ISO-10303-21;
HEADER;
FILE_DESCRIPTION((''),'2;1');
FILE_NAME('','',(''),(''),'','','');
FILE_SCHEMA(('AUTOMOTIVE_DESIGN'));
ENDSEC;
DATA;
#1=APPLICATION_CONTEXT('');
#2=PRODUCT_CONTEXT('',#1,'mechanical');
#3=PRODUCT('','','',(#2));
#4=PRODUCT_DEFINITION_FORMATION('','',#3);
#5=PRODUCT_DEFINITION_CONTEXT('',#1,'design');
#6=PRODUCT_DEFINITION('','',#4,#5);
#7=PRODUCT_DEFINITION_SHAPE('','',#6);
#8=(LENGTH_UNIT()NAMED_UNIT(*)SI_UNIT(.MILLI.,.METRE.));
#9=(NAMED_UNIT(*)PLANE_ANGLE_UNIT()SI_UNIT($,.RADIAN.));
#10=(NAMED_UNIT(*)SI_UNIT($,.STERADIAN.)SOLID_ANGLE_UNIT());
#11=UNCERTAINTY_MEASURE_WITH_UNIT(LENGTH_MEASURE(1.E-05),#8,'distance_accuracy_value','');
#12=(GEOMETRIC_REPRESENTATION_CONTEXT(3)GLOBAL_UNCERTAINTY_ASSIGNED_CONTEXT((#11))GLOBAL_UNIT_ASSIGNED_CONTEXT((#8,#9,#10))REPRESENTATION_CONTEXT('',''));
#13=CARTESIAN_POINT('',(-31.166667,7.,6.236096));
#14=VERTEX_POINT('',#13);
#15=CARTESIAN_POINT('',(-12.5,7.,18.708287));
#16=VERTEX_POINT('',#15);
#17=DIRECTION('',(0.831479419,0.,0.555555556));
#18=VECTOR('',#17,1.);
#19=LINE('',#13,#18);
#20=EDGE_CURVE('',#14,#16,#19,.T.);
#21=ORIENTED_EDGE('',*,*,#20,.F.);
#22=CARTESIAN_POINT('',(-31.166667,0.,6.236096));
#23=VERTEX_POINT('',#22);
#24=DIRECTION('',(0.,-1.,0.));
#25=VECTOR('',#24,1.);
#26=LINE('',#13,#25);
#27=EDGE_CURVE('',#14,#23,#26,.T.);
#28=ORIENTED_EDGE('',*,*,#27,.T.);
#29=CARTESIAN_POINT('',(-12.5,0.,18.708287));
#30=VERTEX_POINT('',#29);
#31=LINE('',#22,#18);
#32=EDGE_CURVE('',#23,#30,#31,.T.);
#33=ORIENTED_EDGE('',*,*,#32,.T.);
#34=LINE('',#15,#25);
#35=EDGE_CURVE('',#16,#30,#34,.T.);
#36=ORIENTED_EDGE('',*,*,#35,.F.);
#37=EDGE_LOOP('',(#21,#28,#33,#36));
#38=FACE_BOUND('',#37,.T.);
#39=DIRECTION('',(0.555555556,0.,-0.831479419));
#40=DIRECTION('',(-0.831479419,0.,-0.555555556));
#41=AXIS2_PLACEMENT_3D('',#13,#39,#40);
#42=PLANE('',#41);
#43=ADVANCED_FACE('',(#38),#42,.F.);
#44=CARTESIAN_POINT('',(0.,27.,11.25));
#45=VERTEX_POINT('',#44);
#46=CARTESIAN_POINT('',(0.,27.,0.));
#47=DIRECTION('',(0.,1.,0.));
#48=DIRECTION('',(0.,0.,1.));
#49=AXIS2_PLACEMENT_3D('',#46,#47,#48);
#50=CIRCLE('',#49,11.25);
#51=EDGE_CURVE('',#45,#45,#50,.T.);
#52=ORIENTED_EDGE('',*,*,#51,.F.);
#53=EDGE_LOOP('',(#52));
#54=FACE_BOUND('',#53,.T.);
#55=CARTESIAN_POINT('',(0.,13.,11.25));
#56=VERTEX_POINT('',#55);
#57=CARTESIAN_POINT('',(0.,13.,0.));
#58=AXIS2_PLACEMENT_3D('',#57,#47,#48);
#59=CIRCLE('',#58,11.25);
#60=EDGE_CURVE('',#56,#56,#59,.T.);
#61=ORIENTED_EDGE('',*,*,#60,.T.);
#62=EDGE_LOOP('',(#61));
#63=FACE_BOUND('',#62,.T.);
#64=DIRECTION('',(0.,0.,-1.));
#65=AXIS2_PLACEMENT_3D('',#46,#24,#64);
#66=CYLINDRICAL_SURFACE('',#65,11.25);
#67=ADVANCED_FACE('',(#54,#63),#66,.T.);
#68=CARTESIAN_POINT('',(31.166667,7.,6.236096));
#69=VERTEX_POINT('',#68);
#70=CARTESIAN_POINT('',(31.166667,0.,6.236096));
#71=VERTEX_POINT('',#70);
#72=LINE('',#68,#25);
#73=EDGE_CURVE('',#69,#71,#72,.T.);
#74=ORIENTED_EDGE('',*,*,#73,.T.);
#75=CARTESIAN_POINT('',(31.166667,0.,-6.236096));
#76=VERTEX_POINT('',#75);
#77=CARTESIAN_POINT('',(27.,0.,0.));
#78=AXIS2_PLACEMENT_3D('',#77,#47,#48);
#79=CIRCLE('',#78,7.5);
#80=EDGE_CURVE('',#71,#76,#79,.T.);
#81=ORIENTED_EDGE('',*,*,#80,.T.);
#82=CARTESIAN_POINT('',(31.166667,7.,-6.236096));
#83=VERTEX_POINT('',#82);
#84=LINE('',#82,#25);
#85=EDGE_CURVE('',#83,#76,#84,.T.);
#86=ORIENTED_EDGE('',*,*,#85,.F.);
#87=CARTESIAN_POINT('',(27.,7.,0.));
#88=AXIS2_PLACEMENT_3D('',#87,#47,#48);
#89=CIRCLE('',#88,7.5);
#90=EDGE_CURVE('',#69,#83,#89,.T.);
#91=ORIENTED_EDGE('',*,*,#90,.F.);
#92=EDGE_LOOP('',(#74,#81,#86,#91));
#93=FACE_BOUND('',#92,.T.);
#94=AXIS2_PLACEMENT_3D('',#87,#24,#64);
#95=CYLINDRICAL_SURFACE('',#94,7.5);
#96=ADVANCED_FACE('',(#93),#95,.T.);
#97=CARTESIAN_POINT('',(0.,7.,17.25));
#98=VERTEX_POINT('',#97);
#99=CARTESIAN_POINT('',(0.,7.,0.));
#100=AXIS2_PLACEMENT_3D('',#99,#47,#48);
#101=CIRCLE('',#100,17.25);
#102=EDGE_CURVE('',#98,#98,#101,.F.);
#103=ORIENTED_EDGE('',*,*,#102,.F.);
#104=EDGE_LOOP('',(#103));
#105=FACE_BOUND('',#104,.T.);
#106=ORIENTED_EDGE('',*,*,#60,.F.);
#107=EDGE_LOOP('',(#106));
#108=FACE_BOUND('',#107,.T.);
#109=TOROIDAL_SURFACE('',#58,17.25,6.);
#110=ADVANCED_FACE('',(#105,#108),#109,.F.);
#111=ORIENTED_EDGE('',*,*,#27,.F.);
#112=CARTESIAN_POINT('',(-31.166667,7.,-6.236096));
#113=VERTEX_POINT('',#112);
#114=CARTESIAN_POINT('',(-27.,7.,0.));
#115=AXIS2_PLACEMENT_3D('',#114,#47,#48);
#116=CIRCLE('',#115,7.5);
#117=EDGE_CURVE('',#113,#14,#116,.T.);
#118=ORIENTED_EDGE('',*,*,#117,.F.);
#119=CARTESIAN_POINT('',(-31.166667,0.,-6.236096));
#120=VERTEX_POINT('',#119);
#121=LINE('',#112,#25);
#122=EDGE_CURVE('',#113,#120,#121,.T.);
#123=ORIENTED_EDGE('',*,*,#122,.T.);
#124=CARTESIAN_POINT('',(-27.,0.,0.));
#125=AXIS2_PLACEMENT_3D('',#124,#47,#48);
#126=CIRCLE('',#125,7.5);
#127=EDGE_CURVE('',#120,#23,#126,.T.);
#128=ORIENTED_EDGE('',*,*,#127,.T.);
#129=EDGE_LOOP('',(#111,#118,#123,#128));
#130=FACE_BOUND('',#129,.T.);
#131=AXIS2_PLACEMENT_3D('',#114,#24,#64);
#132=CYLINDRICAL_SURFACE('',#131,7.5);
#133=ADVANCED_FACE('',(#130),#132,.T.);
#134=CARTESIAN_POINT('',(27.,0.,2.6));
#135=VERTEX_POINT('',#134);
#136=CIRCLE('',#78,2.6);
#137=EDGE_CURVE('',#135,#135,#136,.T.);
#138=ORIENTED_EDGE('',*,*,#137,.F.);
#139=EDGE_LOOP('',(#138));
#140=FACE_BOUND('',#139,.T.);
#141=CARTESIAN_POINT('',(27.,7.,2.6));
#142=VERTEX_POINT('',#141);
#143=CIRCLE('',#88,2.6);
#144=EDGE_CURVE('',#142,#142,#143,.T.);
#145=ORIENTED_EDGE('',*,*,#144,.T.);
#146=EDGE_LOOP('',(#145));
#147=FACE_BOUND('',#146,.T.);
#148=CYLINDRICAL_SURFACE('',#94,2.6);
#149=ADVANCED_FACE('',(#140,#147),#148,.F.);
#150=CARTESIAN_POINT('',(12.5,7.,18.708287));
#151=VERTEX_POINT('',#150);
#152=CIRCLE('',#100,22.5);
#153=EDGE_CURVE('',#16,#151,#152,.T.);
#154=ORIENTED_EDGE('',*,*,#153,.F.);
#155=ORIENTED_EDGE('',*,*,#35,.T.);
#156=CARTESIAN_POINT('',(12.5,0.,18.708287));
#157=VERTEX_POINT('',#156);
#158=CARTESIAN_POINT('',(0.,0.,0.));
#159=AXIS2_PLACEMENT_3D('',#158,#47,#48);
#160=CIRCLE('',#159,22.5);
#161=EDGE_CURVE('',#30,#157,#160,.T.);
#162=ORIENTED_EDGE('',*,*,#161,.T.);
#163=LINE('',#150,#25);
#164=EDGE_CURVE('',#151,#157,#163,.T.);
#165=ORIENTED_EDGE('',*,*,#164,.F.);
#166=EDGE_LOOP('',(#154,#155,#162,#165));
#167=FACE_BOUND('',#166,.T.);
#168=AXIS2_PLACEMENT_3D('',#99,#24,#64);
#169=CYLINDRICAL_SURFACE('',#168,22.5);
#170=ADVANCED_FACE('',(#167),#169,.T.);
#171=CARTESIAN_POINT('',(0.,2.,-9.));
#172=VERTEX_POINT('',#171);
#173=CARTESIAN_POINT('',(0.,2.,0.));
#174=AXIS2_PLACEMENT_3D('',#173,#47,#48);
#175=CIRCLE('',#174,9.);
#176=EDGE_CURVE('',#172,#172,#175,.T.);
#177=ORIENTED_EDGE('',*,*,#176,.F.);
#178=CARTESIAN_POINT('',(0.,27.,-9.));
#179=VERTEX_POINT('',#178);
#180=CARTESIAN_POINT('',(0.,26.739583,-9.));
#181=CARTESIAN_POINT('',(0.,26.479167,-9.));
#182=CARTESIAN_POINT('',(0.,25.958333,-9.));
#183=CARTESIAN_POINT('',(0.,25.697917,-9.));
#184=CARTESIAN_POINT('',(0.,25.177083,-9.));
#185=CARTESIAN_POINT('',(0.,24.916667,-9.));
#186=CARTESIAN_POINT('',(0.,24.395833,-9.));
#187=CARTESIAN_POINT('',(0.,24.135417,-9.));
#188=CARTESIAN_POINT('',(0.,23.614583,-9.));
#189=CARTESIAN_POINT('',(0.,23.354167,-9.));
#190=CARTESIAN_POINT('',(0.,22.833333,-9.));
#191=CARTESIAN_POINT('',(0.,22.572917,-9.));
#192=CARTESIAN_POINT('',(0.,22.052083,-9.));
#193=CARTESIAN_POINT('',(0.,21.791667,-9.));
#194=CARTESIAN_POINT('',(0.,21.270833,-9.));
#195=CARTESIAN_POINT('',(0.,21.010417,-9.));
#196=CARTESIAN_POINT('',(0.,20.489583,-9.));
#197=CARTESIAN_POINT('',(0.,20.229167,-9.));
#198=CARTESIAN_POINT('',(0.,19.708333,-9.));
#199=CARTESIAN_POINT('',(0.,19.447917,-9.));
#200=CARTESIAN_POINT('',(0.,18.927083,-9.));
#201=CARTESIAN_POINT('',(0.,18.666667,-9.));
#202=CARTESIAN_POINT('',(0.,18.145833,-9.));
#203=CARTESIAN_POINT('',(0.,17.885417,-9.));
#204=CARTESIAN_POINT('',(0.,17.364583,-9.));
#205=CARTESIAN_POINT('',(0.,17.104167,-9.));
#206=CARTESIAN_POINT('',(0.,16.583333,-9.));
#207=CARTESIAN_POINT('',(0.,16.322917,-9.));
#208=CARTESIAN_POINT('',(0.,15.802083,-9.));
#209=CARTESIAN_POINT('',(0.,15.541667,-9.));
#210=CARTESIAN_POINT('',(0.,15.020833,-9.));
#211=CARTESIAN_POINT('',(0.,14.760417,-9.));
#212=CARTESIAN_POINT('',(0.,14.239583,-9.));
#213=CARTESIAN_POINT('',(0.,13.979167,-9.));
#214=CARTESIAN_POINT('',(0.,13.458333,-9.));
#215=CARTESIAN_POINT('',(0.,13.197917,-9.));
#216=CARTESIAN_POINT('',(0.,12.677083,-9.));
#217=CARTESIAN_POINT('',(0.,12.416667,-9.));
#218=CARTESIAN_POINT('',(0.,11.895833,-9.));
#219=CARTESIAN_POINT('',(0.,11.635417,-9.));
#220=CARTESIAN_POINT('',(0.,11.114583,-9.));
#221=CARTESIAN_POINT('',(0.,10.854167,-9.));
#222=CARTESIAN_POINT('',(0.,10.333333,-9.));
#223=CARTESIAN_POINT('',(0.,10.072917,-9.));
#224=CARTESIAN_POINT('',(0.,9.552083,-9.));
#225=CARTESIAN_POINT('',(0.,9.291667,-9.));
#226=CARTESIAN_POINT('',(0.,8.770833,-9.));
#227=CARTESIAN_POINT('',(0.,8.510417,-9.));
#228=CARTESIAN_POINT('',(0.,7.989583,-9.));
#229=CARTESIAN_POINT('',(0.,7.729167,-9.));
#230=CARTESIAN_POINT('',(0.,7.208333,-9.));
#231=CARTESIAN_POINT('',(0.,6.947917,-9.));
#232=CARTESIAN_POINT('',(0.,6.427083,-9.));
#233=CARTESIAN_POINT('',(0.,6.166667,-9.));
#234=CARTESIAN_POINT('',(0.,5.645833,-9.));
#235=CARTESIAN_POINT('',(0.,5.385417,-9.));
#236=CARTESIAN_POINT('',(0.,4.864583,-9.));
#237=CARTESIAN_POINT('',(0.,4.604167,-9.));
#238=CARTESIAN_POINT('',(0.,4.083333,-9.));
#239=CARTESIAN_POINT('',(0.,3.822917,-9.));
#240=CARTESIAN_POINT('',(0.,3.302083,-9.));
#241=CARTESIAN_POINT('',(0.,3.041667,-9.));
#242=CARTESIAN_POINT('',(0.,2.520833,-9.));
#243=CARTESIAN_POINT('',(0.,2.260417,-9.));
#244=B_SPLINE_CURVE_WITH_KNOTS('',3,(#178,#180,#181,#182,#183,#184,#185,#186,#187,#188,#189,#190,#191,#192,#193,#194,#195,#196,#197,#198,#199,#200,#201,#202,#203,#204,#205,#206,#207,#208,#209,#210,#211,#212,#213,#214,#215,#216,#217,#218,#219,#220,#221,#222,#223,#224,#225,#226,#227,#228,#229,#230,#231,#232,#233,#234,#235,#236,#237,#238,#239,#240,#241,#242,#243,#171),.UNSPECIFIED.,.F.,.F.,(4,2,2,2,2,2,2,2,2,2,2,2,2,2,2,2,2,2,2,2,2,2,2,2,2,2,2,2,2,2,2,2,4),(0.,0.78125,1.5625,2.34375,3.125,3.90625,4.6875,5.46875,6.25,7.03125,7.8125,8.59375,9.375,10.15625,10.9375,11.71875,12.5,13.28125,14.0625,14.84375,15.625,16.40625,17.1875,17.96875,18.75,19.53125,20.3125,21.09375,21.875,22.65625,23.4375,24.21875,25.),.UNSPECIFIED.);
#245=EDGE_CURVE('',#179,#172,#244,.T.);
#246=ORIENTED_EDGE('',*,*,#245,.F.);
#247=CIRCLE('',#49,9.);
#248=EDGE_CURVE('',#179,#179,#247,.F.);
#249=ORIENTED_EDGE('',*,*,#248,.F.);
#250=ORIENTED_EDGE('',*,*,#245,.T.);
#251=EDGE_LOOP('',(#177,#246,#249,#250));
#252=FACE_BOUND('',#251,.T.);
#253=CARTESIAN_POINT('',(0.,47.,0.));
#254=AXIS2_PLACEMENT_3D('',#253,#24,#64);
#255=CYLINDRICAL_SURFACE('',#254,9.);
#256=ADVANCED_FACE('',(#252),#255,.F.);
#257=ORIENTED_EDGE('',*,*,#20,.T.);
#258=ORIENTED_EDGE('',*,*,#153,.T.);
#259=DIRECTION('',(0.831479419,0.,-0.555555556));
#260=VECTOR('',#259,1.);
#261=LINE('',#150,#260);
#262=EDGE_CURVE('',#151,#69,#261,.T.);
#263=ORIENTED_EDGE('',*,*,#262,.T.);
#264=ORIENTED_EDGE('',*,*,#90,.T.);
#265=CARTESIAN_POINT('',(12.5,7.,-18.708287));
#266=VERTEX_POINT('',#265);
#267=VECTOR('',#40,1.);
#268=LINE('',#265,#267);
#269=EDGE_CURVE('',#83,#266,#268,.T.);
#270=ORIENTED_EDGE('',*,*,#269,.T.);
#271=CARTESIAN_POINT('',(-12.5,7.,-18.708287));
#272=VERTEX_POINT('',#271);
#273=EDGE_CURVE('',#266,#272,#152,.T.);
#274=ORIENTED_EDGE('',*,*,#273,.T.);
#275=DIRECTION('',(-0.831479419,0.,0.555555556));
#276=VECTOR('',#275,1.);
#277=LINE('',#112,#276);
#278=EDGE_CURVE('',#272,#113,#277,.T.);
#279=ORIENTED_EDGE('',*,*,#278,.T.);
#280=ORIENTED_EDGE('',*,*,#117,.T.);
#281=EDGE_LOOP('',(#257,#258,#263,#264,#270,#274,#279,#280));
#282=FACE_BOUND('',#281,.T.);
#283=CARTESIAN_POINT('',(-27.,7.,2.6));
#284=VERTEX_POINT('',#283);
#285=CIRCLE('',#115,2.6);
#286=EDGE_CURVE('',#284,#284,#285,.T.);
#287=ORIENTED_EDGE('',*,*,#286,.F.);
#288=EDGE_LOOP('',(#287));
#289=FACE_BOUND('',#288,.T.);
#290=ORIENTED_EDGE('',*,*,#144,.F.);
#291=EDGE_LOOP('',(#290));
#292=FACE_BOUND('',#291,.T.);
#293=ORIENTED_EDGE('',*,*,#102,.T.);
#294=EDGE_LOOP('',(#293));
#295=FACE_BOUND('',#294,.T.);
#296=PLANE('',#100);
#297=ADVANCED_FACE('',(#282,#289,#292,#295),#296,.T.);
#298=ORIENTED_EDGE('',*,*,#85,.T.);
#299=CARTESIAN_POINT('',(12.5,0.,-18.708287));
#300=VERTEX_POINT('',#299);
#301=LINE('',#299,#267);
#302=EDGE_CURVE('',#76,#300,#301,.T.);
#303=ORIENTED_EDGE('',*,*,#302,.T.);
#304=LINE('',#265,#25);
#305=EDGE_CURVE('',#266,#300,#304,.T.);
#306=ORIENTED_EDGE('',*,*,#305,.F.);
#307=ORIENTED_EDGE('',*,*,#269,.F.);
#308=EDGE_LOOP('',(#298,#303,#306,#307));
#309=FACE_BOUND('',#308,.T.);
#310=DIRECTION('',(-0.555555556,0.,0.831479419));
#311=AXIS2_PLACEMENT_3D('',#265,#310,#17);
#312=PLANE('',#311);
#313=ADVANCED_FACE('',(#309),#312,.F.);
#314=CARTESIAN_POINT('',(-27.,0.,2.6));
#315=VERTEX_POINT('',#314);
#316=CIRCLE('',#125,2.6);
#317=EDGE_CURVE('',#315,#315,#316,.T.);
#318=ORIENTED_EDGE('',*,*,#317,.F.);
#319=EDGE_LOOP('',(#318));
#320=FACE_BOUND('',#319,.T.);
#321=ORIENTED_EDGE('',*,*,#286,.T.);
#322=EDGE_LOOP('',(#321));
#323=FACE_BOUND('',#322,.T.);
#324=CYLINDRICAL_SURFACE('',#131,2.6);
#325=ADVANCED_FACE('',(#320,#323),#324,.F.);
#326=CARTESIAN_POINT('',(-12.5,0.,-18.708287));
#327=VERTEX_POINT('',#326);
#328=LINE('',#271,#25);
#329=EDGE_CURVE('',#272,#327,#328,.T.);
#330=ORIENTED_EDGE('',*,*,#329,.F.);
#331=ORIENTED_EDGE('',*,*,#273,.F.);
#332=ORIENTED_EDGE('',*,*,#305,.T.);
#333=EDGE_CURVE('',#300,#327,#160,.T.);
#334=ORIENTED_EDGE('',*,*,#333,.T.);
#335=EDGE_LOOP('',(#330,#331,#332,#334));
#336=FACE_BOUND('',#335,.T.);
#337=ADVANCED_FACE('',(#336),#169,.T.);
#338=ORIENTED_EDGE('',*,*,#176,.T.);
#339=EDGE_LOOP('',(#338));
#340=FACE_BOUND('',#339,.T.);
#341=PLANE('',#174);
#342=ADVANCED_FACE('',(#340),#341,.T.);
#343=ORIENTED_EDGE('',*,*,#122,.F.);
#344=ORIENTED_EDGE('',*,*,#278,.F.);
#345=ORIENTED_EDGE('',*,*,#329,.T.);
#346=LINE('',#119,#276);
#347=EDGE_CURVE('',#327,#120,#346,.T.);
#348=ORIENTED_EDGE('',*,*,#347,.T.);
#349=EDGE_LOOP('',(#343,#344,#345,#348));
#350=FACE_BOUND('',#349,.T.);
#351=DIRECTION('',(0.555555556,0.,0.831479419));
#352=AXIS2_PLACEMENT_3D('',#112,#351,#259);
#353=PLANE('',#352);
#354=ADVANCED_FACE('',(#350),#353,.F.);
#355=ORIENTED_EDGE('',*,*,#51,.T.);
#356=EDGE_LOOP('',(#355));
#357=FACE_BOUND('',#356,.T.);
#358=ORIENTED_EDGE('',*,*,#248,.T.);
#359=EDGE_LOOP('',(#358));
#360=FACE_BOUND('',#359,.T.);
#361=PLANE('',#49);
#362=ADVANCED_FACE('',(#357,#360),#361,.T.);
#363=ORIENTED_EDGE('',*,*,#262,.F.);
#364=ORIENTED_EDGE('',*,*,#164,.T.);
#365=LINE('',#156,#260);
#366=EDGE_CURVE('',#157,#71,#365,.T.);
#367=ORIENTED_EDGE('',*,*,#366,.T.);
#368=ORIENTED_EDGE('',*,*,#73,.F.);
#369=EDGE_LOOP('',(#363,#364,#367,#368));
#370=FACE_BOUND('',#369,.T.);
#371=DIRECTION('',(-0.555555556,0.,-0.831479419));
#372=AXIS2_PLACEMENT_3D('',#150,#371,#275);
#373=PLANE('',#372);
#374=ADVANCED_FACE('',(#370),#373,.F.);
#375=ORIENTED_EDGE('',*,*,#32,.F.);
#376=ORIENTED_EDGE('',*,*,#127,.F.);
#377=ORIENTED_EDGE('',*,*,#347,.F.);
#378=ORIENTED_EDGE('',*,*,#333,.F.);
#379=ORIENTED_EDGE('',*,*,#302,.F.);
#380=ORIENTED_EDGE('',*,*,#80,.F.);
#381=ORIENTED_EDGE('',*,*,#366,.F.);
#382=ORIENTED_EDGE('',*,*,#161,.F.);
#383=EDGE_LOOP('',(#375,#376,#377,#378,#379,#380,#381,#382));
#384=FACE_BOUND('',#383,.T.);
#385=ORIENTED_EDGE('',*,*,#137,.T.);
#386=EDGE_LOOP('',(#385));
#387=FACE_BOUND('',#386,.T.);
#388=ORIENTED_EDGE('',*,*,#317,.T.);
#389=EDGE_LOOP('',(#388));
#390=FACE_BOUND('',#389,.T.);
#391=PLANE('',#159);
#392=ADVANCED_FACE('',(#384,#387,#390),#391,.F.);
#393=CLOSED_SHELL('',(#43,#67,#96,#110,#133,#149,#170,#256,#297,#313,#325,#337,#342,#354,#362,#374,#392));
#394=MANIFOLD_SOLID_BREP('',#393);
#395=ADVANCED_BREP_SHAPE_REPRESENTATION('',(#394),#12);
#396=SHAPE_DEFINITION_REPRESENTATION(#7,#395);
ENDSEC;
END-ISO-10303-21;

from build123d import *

# Parameters (mm, degrees)
IZIM1_R                     = 2.6
Y_KSEKLIK_EKSTR_ZYON1_DEPTH = 7
IZIM3_R                     = 11.25
IZIM3_R_2                   = 8
Y_KSEKLIK_EKSTR_ZYON2_DEPTH = 20
KES_EKSTR_ZYON1_DEPTH       = 40
KES_EKSTR_ZYON1_DEPTH_BACK  = 5
IZIM4_R                     = 9
RADYUS2_R                   = 6


with BuildPart() as part:
    # Çizim1 → Yükseklik-Ekstrüzyon1 (new body)
    with BuildSketch(Plane(origin=(0, 0, 0), x_dir=(1, 0, 0), z_dir=(0, 1, 0))):
        with BuildLine():
            Line((-31.166666667, 6.236095645), (-12.5, 18.708286934))
            ThreePointArc((-12.5, 18.708286934), (0, 22.5), (12.5, 18.708286934))
            Line((12.5, 18.708286934), (31.166666667, 6.236095645))
            ThreePointArc((31.166666667, 6.236095645), (34.5, 0), (31.166666667, -6.236095645))
            Line((31.166666667, -6.236095645), (12.5, -18.708286934))
            ThreePointArc((12.5, -18.708286934), (0, -22.5), (-12.5, -18.708286934))
            Line((-12.5, -18.708286934), (-31.166666667, -6.236095645))
            ThreePointArc((-31.166666667, -6.236095645), (-34.5, 0), (-31.166666667, 6.236095645))
        make_face()
        with Locations(Location((-27, 0, 0), (0, 0, 270))):
            Circle(IZIM1_R, mode=Mode.SUBTRACT)
        with Locations(Location((27, 0, 0), (0, 0, 270))):
            Circle(IZIM1_R, mode=Mode.SUBTRACT)
    extrude(amount=Y_KSEKLIK_EKSTR_ZYON1_DEPTH)

    # Çizim3 → Yükseklik-Ekstrüzyon2 (add)
    with BuildSketch(Plane(origin=(0, 7, 0), x_dir=(1, 0, 0), z_dir=(0, 1, 0))):
        with Locations(Location((0, 0, 0), (0, 0, 270))):
            Circle(IZIM3_R)
        with Locations(Location((0, 0, 0), (0, 0, 270))):
            Circle(IZIM3_R_2, mode=Mode.SUBTRACT)
    extrude(amount=Y_KSEKLIK_EKSTR_ZYON2_DEPTH)

    # Çizim4 → Kes-Ekstrüzyon1 (cut, two sides: drawn at the far end of the back side and taken through both)
    with BuildSketch(Plane(origin=(0, 7, 0), x_dir=(1, 0, 0), z_dir=(0, 1, 0)).offset(-KES_EKSTR_ZYON1_DEPTH_BACK)):
        with Locations(Location((0, 0, 0), (0, 0, 90))):
            Circle(IZIM4_R)
    extrude(amount=KES_EKSTR_ZYON1_DEPTH + KES_EKSTR_ZYON1_DEPTH_BACK, mode=Mode.SUBTRACT)

    # Radyus2
    radyus2_edges = [part.edges().sort_by_distance(p)[0] for p in [
        (0, 7, -11.25),
    ]]
    fillet(radyus2_edges, radius=RADYUS2_R)


solid = part.part
